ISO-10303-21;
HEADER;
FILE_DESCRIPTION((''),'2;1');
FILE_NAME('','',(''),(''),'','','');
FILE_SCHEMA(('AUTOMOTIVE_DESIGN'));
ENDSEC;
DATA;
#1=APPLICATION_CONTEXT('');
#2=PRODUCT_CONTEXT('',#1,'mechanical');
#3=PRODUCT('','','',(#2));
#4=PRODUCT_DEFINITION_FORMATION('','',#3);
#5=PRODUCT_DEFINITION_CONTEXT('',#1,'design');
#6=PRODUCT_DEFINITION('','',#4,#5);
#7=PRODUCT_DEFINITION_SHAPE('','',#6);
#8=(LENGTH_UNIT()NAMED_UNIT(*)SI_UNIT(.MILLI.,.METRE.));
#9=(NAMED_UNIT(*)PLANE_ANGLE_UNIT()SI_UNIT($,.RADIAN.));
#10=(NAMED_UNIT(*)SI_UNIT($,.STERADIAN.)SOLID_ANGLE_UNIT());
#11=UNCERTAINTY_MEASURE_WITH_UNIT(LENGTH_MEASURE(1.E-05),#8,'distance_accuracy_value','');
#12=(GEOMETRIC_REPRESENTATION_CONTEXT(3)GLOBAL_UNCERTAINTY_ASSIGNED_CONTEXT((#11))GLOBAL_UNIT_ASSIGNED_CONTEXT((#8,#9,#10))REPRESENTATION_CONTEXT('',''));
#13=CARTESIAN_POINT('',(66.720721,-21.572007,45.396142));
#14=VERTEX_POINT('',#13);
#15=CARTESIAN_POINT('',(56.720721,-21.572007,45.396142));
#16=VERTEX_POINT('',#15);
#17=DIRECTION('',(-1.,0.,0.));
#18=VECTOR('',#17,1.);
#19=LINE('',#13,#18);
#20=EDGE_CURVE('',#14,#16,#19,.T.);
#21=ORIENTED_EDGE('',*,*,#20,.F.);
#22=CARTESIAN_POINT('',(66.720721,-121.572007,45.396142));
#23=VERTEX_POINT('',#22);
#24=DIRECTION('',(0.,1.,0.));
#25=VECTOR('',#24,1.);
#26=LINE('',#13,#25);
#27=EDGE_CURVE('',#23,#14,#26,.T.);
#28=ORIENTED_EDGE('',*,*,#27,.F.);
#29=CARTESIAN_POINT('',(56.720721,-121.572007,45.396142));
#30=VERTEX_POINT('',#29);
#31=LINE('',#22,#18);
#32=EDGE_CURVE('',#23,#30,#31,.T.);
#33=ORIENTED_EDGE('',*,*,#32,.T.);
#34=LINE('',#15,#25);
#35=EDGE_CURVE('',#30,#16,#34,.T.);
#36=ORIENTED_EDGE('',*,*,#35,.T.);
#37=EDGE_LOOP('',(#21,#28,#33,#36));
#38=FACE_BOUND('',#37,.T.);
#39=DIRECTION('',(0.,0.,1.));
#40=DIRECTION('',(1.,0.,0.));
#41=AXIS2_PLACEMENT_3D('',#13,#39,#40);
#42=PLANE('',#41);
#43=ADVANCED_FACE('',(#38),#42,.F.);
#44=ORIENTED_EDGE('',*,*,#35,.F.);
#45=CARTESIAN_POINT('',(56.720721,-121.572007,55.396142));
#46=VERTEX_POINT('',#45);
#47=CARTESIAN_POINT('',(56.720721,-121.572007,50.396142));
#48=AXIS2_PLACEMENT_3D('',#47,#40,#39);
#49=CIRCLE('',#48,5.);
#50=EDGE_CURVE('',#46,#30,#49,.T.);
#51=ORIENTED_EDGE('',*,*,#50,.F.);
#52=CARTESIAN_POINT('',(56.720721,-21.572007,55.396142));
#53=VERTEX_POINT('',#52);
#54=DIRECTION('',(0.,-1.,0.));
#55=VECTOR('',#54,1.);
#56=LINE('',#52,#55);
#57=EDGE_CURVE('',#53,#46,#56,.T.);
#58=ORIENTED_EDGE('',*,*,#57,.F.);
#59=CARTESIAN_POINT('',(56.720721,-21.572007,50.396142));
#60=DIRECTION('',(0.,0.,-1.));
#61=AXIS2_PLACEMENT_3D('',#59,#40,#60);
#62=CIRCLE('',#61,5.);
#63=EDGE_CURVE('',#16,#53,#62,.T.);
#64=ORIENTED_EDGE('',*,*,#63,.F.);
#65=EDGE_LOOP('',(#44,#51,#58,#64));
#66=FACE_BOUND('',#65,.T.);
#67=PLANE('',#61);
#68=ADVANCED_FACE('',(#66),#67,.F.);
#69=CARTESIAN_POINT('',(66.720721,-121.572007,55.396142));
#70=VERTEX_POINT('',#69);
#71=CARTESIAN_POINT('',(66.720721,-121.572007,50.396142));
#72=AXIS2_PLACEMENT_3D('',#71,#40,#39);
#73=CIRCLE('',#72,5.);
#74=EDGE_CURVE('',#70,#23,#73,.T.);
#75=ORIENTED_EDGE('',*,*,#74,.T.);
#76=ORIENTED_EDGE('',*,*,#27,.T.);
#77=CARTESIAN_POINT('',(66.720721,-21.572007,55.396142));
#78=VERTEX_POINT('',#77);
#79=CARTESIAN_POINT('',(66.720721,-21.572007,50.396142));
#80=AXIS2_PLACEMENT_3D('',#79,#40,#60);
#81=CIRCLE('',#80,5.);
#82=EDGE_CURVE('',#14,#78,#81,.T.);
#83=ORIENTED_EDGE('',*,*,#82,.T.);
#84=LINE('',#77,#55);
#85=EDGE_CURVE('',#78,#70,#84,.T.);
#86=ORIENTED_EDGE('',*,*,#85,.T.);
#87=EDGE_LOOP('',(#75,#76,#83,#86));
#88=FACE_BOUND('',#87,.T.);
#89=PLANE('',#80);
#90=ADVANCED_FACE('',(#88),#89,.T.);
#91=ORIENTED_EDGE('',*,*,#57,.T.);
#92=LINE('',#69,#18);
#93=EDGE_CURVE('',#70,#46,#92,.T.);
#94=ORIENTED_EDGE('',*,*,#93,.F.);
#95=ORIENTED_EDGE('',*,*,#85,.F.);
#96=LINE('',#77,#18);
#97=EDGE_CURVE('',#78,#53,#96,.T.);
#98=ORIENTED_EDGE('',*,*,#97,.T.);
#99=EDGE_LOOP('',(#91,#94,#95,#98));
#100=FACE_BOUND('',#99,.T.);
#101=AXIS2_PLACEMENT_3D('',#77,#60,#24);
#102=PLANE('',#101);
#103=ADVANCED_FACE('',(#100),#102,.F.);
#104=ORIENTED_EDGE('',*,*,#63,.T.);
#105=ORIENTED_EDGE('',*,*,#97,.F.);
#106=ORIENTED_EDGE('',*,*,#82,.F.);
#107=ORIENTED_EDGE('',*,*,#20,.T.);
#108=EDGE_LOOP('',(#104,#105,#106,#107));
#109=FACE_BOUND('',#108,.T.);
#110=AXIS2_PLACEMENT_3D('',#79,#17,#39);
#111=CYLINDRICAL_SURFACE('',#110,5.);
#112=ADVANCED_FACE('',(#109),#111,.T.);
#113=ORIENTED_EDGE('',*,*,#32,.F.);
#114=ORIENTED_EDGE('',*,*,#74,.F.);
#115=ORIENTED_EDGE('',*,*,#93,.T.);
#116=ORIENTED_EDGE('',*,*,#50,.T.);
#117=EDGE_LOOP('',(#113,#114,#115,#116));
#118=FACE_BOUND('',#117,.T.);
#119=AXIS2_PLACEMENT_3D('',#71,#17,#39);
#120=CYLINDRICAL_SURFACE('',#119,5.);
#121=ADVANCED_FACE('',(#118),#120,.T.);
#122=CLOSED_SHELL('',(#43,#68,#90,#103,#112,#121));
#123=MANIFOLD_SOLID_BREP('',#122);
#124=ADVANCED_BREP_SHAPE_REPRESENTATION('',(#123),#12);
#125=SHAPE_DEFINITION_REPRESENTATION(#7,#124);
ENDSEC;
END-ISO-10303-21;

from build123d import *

# Parameters (mm, degrees)
EXTRUDE_1_DEPTH = 10


with BuildPart() as part:
    # 草图1 → 凸台-拉伸1 (new body)
    with BuildSketch(Plane(origin=(56.720720721, 0, 0), x_dir=(0, 0, -1), z_dir=(1, 0, 0))):
        with BuildLine():
            Line((-45.396141561, -21.572007284), (-45.396141561, -121.572007284))
            ThreePointArc((-45.396141561, -121.572007284), (-50.396141561, -126.572007284), (-55.396141561, -121.572007284))
            Line((-55.396141561, -121.572007284), (-55.396141561, -21.572007284))
            ThreePointArc((-55.396141561, -21.572007284), (-50.396141561, -16.572007284), (-45.396141561, -21.572007284))
        make_face()
    extrude(amount=EXTRUDE_1_DEPTH)


solid = part.part
